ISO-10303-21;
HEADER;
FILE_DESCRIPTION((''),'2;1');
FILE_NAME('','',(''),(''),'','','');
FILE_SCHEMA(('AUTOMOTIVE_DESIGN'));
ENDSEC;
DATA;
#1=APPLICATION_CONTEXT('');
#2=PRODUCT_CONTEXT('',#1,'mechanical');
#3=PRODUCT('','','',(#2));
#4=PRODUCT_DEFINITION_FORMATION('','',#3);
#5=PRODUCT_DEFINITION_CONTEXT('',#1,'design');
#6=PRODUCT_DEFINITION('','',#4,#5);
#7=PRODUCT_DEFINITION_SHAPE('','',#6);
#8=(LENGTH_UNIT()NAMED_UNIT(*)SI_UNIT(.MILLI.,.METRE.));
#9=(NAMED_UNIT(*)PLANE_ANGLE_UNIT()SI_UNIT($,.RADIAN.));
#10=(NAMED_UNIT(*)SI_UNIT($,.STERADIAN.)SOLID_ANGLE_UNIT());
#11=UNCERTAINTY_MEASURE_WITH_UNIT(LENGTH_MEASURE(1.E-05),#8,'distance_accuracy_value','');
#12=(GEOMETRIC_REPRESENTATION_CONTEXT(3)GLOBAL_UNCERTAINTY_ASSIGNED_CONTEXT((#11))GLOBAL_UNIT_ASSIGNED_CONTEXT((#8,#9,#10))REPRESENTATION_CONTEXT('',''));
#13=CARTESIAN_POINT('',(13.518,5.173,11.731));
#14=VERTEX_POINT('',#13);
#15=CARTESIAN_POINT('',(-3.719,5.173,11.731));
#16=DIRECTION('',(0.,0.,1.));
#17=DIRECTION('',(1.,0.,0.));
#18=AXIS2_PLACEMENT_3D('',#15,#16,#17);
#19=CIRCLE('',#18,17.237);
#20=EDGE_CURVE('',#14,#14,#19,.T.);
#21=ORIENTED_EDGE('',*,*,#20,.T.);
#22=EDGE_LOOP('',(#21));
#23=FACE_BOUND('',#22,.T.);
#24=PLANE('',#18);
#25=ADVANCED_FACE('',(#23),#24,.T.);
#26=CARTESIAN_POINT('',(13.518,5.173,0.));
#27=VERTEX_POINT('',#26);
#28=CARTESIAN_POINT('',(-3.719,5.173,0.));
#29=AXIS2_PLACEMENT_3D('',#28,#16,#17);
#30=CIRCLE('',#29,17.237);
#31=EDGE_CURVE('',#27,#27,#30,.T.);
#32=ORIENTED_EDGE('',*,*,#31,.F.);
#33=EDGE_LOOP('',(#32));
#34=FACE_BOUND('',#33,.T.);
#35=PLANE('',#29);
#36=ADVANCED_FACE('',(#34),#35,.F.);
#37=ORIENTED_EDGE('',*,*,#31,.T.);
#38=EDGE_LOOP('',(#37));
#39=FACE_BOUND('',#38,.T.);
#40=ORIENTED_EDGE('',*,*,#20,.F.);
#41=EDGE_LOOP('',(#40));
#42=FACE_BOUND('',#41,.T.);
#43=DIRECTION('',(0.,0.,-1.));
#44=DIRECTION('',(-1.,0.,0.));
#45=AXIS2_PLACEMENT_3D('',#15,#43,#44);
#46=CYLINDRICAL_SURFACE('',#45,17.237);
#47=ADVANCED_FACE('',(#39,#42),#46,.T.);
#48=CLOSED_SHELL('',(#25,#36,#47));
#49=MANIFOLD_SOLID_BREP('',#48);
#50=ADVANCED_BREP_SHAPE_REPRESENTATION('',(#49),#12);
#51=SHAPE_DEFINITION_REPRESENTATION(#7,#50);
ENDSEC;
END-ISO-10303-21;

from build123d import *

# Parameters (mm, degrees)
CURVESKETCH_R   = 17.237
CURVEBOSS_DEPTH = 11.731


with BuildPart() as part:
    # CurveSketch → CurveBoss (new body)
    with BuildSketch(Plane.XY):
        with Locations((-3.719, 5.173)):
            Circle(CURVESKETCH_R)
    extrude(amount=CURVEBOSS_DEPTH)


solid = part.part
